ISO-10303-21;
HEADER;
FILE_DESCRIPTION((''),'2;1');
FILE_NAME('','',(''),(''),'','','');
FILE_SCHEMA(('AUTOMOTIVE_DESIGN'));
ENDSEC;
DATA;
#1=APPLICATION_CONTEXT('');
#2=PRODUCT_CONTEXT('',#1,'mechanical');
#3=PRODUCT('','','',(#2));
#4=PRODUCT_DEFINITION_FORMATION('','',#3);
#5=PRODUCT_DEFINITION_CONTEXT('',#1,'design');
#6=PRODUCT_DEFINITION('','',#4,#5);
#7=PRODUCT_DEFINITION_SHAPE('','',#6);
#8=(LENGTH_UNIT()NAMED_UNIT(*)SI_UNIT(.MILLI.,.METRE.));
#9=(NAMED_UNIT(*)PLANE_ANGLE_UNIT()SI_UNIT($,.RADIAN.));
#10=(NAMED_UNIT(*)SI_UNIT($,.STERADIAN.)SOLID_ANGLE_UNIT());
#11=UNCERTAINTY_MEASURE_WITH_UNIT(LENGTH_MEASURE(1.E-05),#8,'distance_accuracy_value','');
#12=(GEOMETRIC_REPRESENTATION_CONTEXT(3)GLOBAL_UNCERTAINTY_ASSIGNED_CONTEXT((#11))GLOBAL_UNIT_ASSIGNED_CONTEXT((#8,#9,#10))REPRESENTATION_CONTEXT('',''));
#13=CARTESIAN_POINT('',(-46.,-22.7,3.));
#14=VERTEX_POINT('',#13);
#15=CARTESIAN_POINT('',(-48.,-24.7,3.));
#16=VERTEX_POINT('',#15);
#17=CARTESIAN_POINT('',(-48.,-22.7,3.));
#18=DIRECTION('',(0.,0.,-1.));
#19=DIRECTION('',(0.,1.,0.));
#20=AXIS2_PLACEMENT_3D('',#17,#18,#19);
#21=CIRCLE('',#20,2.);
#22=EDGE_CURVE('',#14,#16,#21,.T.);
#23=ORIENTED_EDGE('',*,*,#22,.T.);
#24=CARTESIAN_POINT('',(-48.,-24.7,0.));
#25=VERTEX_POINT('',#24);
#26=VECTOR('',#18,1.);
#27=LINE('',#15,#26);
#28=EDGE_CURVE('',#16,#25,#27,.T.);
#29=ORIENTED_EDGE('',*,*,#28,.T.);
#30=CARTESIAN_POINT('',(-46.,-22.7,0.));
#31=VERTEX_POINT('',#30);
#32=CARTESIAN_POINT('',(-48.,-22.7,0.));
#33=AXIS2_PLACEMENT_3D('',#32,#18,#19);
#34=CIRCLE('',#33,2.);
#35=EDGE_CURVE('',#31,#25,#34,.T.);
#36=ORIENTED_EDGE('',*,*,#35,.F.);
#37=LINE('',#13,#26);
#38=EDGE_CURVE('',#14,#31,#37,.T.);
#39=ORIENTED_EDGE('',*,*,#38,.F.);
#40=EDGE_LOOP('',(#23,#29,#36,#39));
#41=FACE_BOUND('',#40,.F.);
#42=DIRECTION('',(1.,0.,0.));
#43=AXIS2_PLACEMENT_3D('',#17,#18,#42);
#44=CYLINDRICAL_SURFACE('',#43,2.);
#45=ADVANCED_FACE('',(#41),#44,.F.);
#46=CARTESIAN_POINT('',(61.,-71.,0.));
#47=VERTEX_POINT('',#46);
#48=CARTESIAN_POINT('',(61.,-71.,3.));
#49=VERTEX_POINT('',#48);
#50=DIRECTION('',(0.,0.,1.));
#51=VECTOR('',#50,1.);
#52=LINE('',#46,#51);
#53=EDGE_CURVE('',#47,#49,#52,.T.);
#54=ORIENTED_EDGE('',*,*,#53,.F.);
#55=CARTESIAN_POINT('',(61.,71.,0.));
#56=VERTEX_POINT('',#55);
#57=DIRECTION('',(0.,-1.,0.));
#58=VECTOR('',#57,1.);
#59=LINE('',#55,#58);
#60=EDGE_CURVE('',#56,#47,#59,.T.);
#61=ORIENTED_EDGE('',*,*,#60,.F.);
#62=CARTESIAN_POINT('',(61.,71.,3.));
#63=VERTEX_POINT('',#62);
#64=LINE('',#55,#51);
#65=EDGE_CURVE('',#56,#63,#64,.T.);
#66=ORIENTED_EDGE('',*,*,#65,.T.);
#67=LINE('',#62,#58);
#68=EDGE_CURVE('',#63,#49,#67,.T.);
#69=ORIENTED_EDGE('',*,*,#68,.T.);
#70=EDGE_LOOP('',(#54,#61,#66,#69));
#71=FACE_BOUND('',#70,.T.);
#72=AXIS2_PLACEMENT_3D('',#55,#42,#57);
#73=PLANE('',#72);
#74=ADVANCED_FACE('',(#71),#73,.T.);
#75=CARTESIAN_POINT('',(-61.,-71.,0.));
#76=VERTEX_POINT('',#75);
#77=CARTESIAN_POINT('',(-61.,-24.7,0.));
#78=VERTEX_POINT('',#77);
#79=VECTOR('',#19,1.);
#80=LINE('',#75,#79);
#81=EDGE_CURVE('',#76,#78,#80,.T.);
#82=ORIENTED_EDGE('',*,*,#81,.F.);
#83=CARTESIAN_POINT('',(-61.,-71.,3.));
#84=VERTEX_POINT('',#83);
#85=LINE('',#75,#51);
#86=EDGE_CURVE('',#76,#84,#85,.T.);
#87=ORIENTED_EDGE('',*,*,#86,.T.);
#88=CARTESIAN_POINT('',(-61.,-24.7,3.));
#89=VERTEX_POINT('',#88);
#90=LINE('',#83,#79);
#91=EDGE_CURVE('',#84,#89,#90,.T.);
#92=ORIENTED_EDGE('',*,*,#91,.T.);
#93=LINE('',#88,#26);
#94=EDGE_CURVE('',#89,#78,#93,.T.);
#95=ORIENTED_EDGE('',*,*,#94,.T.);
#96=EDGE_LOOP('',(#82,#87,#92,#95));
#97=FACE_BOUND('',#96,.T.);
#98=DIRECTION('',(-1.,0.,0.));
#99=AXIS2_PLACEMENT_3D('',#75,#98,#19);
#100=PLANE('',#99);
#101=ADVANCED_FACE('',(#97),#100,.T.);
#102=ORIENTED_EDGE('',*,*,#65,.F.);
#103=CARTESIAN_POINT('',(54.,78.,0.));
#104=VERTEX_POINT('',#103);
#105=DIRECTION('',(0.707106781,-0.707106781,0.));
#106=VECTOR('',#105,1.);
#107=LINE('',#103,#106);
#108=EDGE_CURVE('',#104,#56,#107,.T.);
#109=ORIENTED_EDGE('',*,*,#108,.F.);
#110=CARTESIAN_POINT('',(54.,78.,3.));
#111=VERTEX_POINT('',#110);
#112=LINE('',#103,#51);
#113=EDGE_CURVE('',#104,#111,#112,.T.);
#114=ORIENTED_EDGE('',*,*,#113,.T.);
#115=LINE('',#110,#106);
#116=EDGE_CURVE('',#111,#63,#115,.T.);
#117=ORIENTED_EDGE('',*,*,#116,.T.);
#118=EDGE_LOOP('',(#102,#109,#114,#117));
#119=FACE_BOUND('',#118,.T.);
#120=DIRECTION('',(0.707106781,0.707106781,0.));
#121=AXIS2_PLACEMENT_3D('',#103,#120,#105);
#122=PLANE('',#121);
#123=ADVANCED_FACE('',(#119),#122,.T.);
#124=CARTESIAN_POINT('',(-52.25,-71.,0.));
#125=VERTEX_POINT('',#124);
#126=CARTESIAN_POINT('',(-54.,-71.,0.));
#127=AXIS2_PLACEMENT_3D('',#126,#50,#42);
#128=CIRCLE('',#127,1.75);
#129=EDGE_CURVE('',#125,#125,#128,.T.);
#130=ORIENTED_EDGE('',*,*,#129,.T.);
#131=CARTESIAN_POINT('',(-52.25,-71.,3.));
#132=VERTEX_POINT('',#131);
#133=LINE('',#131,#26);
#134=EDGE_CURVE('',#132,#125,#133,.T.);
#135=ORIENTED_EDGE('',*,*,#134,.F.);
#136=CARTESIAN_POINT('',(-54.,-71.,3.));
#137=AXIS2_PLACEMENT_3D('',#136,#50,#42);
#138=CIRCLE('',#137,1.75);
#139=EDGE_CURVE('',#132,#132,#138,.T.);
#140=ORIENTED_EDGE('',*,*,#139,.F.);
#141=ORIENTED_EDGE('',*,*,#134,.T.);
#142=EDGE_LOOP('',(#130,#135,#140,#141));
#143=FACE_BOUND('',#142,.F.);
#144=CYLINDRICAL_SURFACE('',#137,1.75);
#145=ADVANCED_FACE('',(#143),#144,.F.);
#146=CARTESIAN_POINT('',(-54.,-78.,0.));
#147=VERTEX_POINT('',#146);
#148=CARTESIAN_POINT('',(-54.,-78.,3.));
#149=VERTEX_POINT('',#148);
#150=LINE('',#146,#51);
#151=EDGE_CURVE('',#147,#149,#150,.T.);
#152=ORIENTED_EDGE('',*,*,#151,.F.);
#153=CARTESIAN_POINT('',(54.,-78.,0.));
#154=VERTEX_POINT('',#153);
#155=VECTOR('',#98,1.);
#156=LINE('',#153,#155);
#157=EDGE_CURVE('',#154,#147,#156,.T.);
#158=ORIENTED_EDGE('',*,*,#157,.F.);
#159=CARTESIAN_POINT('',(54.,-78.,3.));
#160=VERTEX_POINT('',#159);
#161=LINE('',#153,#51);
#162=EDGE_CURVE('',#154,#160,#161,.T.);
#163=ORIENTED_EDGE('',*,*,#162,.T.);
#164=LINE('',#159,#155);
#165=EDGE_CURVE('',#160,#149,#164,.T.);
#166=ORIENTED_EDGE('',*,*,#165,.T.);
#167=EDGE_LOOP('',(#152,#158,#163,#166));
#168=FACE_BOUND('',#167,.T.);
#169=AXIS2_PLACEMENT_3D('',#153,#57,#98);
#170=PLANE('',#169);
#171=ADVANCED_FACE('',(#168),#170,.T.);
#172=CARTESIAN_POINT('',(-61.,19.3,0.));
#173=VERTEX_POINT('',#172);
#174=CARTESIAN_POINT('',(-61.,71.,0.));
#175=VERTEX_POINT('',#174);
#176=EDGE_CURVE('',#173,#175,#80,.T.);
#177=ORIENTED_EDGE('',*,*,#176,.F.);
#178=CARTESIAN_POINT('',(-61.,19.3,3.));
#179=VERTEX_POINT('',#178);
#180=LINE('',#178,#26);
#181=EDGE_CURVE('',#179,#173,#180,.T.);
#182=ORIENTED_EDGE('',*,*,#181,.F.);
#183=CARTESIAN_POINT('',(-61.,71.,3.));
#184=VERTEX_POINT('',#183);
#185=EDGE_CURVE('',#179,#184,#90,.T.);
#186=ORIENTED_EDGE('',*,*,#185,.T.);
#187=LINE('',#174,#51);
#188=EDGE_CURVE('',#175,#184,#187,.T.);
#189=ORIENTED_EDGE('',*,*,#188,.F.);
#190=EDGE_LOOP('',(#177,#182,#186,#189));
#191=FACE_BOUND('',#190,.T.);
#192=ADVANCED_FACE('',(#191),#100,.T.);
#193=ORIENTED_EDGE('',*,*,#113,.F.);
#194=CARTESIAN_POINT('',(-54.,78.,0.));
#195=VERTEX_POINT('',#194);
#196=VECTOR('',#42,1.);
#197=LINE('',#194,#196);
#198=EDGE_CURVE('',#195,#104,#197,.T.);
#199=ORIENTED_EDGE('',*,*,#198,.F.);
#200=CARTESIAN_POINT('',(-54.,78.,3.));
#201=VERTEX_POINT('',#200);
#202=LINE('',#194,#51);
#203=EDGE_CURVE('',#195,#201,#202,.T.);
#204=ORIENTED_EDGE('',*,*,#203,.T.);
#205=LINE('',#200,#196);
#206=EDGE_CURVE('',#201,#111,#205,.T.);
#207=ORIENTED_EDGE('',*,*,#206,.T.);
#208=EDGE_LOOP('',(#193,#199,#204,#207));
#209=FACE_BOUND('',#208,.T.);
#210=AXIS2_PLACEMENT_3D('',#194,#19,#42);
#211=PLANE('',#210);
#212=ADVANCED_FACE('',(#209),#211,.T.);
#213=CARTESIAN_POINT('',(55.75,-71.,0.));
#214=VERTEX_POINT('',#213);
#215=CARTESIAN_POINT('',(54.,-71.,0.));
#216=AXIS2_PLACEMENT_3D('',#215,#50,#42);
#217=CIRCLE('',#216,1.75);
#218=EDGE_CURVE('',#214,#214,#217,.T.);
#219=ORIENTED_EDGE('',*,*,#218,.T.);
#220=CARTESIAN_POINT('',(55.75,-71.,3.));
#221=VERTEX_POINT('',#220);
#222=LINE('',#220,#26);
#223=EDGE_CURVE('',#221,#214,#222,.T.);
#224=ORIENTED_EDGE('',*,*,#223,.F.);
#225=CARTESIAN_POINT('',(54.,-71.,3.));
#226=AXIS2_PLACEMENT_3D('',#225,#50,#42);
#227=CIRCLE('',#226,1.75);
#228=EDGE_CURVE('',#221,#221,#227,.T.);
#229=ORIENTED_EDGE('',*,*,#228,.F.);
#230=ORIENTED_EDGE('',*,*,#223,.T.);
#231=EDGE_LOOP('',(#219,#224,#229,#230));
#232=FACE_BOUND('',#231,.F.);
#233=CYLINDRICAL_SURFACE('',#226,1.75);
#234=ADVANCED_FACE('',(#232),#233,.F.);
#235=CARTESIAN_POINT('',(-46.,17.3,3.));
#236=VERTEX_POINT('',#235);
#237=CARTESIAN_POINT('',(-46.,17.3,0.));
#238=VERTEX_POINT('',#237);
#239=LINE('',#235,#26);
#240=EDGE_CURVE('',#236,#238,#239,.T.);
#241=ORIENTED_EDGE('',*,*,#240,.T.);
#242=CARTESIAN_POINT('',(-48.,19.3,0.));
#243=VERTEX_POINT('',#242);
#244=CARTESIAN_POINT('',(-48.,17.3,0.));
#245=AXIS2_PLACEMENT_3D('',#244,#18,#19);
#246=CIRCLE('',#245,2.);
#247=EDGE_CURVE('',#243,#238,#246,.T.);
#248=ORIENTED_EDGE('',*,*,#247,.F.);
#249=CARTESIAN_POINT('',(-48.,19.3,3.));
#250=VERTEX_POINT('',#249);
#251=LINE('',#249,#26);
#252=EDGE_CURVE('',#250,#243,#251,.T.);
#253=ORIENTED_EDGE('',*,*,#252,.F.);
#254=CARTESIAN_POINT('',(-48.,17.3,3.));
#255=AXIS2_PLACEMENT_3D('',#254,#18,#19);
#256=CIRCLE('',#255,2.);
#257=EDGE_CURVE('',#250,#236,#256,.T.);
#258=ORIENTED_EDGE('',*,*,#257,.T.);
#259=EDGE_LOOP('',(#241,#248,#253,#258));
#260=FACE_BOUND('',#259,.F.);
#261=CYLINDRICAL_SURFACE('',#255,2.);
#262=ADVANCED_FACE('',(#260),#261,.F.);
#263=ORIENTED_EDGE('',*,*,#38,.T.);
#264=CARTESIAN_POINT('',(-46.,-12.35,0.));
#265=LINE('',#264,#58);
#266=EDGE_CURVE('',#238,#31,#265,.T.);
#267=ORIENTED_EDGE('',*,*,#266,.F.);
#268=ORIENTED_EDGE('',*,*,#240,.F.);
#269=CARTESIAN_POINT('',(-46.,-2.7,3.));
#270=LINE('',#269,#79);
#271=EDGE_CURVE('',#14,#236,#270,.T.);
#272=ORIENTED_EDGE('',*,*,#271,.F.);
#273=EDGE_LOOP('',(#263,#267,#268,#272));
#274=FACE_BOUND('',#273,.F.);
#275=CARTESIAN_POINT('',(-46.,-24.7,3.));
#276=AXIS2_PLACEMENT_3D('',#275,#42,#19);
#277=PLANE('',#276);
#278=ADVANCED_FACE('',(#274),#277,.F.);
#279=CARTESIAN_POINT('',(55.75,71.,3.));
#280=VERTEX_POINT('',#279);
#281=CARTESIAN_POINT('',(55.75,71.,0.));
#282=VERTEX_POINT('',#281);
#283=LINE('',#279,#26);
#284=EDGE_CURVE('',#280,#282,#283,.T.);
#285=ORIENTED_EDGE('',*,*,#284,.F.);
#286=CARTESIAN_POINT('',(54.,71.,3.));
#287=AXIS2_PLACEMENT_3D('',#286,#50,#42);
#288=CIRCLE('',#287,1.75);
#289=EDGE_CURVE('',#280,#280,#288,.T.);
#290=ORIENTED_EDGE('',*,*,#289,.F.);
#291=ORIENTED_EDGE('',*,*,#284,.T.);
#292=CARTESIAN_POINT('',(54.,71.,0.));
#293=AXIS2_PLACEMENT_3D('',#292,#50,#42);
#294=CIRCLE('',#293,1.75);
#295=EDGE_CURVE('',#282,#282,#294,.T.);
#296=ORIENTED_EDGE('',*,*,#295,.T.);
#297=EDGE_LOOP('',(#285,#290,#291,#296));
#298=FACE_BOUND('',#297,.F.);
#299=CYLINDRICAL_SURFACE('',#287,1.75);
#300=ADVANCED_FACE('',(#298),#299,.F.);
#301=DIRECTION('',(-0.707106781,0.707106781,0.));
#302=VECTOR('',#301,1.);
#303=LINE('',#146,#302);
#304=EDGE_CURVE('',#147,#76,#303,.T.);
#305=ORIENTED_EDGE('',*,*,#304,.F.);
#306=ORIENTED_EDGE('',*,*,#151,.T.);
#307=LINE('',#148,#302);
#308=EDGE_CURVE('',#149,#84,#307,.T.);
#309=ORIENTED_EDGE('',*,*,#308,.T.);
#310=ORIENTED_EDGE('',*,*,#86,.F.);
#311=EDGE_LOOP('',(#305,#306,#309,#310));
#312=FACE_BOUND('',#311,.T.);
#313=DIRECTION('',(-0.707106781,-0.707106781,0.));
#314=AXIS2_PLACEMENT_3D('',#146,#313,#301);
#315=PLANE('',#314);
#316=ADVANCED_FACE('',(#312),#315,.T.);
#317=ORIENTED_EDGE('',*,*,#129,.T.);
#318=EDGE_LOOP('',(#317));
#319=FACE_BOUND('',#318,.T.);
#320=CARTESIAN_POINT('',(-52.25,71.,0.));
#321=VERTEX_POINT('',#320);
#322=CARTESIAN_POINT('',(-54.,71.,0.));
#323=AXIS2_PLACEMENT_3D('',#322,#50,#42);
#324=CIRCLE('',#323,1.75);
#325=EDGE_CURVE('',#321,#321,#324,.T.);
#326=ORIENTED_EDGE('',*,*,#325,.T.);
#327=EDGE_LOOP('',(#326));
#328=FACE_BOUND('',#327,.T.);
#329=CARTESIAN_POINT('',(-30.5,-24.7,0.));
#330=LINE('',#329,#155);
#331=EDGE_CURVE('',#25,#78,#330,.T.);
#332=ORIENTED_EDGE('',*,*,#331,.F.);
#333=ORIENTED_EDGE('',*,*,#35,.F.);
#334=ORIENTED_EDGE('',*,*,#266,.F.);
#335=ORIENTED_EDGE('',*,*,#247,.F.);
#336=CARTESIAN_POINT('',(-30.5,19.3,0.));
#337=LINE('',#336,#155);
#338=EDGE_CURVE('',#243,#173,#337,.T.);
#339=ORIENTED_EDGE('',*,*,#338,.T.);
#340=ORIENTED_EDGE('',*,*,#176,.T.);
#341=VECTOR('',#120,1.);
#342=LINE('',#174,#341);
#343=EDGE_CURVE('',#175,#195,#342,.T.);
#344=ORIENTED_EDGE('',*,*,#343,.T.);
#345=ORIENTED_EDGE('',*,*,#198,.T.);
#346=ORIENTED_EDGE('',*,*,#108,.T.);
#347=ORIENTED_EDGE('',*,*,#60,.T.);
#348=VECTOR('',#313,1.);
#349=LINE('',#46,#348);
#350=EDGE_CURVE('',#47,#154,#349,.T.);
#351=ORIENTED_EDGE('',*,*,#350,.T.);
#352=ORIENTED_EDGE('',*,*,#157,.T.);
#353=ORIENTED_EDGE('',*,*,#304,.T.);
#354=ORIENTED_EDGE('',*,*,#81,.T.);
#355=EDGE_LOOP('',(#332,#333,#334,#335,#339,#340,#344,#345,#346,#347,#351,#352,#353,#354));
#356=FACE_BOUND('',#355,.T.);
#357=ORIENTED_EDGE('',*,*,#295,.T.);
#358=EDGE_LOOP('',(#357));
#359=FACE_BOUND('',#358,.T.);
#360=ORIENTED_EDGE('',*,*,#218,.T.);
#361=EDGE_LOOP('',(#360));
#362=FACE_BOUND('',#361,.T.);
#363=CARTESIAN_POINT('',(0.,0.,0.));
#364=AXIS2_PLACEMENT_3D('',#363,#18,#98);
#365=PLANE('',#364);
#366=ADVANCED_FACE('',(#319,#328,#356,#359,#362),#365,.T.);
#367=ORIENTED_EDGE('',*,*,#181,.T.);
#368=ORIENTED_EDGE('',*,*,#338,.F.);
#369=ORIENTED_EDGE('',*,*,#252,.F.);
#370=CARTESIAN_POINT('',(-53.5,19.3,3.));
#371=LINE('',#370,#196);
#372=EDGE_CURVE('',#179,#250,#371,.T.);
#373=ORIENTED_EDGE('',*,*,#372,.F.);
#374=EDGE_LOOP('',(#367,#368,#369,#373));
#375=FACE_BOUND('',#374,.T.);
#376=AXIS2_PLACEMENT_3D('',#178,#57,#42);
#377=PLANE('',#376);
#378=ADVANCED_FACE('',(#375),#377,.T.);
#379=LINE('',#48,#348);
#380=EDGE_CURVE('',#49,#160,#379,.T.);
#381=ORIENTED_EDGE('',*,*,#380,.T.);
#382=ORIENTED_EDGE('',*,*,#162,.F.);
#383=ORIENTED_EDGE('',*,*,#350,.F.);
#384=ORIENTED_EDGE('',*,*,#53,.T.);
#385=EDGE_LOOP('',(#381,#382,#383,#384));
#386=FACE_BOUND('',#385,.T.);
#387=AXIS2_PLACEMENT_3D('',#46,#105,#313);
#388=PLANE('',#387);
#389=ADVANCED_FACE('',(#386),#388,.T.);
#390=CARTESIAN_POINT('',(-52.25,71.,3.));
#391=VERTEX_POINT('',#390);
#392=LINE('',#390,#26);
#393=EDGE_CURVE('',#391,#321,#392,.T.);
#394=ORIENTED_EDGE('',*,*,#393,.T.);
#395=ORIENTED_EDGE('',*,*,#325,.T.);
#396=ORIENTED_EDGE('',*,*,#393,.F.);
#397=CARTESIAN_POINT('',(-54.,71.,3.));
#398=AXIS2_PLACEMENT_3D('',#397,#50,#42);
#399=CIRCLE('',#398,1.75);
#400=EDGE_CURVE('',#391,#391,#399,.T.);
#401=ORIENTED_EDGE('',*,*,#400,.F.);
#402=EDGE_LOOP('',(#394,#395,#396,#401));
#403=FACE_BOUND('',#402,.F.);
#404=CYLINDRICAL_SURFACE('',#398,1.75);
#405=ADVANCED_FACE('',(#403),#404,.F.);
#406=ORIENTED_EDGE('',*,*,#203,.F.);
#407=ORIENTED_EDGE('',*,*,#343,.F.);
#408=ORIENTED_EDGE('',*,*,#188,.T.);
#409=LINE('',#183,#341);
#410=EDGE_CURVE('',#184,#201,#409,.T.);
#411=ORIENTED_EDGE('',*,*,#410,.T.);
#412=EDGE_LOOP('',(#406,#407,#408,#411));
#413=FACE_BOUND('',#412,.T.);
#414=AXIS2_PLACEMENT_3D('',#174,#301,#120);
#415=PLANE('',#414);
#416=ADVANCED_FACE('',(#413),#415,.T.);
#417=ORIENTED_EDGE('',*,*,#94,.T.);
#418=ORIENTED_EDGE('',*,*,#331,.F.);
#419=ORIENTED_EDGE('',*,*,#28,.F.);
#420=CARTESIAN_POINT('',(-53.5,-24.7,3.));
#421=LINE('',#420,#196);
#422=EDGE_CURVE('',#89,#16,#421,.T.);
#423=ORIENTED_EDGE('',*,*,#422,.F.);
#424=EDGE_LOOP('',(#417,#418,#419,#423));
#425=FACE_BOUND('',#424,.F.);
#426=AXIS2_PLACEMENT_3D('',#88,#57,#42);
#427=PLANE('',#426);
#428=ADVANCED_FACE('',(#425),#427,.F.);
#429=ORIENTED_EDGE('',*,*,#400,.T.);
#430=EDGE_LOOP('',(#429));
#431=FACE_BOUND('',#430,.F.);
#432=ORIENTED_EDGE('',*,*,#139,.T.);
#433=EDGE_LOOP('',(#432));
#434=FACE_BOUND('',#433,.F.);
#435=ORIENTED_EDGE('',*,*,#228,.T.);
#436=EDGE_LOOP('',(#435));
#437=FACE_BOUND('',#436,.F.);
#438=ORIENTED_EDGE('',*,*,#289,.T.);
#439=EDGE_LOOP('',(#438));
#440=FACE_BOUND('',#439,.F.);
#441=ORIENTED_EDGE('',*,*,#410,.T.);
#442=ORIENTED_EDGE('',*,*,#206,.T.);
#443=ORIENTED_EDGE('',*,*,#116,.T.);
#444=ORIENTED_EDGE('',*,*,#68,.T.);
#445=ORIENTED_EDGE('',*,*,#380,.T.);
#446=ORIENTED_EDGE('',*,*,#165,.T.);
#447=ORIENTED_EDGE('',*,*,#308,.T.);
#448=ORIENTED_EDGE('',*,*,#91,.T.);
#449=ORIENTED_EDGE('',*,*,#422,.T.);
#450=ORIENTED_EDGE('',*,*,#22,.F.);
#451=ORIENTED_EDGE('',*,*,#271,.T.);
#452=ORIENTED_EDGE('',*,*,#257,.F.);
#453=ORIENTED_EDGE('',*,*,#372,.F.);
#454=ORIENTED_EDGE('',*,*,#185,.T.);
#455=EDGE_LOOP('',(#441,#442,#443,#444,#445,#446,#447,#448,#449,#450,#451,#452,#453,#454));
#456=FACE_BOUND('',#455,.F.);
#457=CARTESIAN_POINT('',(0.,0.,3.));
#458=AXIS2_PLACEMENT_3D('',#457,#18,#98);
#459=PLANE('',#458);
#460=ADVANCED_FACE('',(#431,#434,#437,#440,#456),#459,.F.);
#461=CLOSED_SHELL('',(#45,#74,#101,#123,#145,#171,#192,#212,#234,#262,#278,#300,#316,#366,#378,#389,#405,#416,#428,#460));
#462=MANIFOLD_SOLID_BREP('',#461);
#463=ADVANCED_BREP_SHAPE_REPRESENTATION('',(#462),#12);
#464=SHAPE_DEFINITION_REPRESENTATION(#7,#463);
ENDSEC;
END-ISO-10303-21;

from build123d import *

# Parameters (mm, degrees)
PAD_DEPTH       = 3
SKETCH005_R     = 1.75
POCKET004_DEPTH = 3.001
SKETCH006_W     = 15
SKETCH006_H     = 44
POCKET_DEPTH    = 3.001
FILLET_R        = 2


with BuildPart() as part:
    # Sketch → Pad (new body)
    with BuildSketch(Plane.XY):
        Polygon((-61, 71), (-54, 78), (54, 78), (61, 71), (61, -71), (54, -78), (-54, -78), (-61, -71), align=None)
    extrude(amount=PAD_DEPTH)

    # Sketch005 → Pocket004 (cut, through all)
    with BuildSketch(Plane.XY.offset(3)):
        with Locations((-54, 71)):
            Circle(SKETCH005_R)
        with Locations((54, 71)):
            Circle(SKETCH005_R)
        with Locations((-54, -71)):
            Circle(SKETCH005_R)
        with Locations((54, -71)):
            Circle(SKETCH005_R)
    extrude(amount=-POCKET004_DEPTH, mode=Mode.SUBTRACT)

    # Sketch006 (on Face5 of Pocket004) → Pocket (cut, through all)
    with BuildSketch(Plane.XY.offset(3)):
        with Locations((-53.5, -2.7)):
            Rectangle(SKETCH006_W, SKETCH006_H)
    extrude(amount=-POCKET_DEPTH, mode=Mode.SUBTRACT)

    # Fillet
    fillet_edges = [part.edges().sort_by_distance(p)[0] for p in [
        (-46, 19.3, 1.5),
        (-46, -24.7, 1.5),
    ]]
    fillet(fillet_edges, radius=FILLET_R)


solid = part.part
